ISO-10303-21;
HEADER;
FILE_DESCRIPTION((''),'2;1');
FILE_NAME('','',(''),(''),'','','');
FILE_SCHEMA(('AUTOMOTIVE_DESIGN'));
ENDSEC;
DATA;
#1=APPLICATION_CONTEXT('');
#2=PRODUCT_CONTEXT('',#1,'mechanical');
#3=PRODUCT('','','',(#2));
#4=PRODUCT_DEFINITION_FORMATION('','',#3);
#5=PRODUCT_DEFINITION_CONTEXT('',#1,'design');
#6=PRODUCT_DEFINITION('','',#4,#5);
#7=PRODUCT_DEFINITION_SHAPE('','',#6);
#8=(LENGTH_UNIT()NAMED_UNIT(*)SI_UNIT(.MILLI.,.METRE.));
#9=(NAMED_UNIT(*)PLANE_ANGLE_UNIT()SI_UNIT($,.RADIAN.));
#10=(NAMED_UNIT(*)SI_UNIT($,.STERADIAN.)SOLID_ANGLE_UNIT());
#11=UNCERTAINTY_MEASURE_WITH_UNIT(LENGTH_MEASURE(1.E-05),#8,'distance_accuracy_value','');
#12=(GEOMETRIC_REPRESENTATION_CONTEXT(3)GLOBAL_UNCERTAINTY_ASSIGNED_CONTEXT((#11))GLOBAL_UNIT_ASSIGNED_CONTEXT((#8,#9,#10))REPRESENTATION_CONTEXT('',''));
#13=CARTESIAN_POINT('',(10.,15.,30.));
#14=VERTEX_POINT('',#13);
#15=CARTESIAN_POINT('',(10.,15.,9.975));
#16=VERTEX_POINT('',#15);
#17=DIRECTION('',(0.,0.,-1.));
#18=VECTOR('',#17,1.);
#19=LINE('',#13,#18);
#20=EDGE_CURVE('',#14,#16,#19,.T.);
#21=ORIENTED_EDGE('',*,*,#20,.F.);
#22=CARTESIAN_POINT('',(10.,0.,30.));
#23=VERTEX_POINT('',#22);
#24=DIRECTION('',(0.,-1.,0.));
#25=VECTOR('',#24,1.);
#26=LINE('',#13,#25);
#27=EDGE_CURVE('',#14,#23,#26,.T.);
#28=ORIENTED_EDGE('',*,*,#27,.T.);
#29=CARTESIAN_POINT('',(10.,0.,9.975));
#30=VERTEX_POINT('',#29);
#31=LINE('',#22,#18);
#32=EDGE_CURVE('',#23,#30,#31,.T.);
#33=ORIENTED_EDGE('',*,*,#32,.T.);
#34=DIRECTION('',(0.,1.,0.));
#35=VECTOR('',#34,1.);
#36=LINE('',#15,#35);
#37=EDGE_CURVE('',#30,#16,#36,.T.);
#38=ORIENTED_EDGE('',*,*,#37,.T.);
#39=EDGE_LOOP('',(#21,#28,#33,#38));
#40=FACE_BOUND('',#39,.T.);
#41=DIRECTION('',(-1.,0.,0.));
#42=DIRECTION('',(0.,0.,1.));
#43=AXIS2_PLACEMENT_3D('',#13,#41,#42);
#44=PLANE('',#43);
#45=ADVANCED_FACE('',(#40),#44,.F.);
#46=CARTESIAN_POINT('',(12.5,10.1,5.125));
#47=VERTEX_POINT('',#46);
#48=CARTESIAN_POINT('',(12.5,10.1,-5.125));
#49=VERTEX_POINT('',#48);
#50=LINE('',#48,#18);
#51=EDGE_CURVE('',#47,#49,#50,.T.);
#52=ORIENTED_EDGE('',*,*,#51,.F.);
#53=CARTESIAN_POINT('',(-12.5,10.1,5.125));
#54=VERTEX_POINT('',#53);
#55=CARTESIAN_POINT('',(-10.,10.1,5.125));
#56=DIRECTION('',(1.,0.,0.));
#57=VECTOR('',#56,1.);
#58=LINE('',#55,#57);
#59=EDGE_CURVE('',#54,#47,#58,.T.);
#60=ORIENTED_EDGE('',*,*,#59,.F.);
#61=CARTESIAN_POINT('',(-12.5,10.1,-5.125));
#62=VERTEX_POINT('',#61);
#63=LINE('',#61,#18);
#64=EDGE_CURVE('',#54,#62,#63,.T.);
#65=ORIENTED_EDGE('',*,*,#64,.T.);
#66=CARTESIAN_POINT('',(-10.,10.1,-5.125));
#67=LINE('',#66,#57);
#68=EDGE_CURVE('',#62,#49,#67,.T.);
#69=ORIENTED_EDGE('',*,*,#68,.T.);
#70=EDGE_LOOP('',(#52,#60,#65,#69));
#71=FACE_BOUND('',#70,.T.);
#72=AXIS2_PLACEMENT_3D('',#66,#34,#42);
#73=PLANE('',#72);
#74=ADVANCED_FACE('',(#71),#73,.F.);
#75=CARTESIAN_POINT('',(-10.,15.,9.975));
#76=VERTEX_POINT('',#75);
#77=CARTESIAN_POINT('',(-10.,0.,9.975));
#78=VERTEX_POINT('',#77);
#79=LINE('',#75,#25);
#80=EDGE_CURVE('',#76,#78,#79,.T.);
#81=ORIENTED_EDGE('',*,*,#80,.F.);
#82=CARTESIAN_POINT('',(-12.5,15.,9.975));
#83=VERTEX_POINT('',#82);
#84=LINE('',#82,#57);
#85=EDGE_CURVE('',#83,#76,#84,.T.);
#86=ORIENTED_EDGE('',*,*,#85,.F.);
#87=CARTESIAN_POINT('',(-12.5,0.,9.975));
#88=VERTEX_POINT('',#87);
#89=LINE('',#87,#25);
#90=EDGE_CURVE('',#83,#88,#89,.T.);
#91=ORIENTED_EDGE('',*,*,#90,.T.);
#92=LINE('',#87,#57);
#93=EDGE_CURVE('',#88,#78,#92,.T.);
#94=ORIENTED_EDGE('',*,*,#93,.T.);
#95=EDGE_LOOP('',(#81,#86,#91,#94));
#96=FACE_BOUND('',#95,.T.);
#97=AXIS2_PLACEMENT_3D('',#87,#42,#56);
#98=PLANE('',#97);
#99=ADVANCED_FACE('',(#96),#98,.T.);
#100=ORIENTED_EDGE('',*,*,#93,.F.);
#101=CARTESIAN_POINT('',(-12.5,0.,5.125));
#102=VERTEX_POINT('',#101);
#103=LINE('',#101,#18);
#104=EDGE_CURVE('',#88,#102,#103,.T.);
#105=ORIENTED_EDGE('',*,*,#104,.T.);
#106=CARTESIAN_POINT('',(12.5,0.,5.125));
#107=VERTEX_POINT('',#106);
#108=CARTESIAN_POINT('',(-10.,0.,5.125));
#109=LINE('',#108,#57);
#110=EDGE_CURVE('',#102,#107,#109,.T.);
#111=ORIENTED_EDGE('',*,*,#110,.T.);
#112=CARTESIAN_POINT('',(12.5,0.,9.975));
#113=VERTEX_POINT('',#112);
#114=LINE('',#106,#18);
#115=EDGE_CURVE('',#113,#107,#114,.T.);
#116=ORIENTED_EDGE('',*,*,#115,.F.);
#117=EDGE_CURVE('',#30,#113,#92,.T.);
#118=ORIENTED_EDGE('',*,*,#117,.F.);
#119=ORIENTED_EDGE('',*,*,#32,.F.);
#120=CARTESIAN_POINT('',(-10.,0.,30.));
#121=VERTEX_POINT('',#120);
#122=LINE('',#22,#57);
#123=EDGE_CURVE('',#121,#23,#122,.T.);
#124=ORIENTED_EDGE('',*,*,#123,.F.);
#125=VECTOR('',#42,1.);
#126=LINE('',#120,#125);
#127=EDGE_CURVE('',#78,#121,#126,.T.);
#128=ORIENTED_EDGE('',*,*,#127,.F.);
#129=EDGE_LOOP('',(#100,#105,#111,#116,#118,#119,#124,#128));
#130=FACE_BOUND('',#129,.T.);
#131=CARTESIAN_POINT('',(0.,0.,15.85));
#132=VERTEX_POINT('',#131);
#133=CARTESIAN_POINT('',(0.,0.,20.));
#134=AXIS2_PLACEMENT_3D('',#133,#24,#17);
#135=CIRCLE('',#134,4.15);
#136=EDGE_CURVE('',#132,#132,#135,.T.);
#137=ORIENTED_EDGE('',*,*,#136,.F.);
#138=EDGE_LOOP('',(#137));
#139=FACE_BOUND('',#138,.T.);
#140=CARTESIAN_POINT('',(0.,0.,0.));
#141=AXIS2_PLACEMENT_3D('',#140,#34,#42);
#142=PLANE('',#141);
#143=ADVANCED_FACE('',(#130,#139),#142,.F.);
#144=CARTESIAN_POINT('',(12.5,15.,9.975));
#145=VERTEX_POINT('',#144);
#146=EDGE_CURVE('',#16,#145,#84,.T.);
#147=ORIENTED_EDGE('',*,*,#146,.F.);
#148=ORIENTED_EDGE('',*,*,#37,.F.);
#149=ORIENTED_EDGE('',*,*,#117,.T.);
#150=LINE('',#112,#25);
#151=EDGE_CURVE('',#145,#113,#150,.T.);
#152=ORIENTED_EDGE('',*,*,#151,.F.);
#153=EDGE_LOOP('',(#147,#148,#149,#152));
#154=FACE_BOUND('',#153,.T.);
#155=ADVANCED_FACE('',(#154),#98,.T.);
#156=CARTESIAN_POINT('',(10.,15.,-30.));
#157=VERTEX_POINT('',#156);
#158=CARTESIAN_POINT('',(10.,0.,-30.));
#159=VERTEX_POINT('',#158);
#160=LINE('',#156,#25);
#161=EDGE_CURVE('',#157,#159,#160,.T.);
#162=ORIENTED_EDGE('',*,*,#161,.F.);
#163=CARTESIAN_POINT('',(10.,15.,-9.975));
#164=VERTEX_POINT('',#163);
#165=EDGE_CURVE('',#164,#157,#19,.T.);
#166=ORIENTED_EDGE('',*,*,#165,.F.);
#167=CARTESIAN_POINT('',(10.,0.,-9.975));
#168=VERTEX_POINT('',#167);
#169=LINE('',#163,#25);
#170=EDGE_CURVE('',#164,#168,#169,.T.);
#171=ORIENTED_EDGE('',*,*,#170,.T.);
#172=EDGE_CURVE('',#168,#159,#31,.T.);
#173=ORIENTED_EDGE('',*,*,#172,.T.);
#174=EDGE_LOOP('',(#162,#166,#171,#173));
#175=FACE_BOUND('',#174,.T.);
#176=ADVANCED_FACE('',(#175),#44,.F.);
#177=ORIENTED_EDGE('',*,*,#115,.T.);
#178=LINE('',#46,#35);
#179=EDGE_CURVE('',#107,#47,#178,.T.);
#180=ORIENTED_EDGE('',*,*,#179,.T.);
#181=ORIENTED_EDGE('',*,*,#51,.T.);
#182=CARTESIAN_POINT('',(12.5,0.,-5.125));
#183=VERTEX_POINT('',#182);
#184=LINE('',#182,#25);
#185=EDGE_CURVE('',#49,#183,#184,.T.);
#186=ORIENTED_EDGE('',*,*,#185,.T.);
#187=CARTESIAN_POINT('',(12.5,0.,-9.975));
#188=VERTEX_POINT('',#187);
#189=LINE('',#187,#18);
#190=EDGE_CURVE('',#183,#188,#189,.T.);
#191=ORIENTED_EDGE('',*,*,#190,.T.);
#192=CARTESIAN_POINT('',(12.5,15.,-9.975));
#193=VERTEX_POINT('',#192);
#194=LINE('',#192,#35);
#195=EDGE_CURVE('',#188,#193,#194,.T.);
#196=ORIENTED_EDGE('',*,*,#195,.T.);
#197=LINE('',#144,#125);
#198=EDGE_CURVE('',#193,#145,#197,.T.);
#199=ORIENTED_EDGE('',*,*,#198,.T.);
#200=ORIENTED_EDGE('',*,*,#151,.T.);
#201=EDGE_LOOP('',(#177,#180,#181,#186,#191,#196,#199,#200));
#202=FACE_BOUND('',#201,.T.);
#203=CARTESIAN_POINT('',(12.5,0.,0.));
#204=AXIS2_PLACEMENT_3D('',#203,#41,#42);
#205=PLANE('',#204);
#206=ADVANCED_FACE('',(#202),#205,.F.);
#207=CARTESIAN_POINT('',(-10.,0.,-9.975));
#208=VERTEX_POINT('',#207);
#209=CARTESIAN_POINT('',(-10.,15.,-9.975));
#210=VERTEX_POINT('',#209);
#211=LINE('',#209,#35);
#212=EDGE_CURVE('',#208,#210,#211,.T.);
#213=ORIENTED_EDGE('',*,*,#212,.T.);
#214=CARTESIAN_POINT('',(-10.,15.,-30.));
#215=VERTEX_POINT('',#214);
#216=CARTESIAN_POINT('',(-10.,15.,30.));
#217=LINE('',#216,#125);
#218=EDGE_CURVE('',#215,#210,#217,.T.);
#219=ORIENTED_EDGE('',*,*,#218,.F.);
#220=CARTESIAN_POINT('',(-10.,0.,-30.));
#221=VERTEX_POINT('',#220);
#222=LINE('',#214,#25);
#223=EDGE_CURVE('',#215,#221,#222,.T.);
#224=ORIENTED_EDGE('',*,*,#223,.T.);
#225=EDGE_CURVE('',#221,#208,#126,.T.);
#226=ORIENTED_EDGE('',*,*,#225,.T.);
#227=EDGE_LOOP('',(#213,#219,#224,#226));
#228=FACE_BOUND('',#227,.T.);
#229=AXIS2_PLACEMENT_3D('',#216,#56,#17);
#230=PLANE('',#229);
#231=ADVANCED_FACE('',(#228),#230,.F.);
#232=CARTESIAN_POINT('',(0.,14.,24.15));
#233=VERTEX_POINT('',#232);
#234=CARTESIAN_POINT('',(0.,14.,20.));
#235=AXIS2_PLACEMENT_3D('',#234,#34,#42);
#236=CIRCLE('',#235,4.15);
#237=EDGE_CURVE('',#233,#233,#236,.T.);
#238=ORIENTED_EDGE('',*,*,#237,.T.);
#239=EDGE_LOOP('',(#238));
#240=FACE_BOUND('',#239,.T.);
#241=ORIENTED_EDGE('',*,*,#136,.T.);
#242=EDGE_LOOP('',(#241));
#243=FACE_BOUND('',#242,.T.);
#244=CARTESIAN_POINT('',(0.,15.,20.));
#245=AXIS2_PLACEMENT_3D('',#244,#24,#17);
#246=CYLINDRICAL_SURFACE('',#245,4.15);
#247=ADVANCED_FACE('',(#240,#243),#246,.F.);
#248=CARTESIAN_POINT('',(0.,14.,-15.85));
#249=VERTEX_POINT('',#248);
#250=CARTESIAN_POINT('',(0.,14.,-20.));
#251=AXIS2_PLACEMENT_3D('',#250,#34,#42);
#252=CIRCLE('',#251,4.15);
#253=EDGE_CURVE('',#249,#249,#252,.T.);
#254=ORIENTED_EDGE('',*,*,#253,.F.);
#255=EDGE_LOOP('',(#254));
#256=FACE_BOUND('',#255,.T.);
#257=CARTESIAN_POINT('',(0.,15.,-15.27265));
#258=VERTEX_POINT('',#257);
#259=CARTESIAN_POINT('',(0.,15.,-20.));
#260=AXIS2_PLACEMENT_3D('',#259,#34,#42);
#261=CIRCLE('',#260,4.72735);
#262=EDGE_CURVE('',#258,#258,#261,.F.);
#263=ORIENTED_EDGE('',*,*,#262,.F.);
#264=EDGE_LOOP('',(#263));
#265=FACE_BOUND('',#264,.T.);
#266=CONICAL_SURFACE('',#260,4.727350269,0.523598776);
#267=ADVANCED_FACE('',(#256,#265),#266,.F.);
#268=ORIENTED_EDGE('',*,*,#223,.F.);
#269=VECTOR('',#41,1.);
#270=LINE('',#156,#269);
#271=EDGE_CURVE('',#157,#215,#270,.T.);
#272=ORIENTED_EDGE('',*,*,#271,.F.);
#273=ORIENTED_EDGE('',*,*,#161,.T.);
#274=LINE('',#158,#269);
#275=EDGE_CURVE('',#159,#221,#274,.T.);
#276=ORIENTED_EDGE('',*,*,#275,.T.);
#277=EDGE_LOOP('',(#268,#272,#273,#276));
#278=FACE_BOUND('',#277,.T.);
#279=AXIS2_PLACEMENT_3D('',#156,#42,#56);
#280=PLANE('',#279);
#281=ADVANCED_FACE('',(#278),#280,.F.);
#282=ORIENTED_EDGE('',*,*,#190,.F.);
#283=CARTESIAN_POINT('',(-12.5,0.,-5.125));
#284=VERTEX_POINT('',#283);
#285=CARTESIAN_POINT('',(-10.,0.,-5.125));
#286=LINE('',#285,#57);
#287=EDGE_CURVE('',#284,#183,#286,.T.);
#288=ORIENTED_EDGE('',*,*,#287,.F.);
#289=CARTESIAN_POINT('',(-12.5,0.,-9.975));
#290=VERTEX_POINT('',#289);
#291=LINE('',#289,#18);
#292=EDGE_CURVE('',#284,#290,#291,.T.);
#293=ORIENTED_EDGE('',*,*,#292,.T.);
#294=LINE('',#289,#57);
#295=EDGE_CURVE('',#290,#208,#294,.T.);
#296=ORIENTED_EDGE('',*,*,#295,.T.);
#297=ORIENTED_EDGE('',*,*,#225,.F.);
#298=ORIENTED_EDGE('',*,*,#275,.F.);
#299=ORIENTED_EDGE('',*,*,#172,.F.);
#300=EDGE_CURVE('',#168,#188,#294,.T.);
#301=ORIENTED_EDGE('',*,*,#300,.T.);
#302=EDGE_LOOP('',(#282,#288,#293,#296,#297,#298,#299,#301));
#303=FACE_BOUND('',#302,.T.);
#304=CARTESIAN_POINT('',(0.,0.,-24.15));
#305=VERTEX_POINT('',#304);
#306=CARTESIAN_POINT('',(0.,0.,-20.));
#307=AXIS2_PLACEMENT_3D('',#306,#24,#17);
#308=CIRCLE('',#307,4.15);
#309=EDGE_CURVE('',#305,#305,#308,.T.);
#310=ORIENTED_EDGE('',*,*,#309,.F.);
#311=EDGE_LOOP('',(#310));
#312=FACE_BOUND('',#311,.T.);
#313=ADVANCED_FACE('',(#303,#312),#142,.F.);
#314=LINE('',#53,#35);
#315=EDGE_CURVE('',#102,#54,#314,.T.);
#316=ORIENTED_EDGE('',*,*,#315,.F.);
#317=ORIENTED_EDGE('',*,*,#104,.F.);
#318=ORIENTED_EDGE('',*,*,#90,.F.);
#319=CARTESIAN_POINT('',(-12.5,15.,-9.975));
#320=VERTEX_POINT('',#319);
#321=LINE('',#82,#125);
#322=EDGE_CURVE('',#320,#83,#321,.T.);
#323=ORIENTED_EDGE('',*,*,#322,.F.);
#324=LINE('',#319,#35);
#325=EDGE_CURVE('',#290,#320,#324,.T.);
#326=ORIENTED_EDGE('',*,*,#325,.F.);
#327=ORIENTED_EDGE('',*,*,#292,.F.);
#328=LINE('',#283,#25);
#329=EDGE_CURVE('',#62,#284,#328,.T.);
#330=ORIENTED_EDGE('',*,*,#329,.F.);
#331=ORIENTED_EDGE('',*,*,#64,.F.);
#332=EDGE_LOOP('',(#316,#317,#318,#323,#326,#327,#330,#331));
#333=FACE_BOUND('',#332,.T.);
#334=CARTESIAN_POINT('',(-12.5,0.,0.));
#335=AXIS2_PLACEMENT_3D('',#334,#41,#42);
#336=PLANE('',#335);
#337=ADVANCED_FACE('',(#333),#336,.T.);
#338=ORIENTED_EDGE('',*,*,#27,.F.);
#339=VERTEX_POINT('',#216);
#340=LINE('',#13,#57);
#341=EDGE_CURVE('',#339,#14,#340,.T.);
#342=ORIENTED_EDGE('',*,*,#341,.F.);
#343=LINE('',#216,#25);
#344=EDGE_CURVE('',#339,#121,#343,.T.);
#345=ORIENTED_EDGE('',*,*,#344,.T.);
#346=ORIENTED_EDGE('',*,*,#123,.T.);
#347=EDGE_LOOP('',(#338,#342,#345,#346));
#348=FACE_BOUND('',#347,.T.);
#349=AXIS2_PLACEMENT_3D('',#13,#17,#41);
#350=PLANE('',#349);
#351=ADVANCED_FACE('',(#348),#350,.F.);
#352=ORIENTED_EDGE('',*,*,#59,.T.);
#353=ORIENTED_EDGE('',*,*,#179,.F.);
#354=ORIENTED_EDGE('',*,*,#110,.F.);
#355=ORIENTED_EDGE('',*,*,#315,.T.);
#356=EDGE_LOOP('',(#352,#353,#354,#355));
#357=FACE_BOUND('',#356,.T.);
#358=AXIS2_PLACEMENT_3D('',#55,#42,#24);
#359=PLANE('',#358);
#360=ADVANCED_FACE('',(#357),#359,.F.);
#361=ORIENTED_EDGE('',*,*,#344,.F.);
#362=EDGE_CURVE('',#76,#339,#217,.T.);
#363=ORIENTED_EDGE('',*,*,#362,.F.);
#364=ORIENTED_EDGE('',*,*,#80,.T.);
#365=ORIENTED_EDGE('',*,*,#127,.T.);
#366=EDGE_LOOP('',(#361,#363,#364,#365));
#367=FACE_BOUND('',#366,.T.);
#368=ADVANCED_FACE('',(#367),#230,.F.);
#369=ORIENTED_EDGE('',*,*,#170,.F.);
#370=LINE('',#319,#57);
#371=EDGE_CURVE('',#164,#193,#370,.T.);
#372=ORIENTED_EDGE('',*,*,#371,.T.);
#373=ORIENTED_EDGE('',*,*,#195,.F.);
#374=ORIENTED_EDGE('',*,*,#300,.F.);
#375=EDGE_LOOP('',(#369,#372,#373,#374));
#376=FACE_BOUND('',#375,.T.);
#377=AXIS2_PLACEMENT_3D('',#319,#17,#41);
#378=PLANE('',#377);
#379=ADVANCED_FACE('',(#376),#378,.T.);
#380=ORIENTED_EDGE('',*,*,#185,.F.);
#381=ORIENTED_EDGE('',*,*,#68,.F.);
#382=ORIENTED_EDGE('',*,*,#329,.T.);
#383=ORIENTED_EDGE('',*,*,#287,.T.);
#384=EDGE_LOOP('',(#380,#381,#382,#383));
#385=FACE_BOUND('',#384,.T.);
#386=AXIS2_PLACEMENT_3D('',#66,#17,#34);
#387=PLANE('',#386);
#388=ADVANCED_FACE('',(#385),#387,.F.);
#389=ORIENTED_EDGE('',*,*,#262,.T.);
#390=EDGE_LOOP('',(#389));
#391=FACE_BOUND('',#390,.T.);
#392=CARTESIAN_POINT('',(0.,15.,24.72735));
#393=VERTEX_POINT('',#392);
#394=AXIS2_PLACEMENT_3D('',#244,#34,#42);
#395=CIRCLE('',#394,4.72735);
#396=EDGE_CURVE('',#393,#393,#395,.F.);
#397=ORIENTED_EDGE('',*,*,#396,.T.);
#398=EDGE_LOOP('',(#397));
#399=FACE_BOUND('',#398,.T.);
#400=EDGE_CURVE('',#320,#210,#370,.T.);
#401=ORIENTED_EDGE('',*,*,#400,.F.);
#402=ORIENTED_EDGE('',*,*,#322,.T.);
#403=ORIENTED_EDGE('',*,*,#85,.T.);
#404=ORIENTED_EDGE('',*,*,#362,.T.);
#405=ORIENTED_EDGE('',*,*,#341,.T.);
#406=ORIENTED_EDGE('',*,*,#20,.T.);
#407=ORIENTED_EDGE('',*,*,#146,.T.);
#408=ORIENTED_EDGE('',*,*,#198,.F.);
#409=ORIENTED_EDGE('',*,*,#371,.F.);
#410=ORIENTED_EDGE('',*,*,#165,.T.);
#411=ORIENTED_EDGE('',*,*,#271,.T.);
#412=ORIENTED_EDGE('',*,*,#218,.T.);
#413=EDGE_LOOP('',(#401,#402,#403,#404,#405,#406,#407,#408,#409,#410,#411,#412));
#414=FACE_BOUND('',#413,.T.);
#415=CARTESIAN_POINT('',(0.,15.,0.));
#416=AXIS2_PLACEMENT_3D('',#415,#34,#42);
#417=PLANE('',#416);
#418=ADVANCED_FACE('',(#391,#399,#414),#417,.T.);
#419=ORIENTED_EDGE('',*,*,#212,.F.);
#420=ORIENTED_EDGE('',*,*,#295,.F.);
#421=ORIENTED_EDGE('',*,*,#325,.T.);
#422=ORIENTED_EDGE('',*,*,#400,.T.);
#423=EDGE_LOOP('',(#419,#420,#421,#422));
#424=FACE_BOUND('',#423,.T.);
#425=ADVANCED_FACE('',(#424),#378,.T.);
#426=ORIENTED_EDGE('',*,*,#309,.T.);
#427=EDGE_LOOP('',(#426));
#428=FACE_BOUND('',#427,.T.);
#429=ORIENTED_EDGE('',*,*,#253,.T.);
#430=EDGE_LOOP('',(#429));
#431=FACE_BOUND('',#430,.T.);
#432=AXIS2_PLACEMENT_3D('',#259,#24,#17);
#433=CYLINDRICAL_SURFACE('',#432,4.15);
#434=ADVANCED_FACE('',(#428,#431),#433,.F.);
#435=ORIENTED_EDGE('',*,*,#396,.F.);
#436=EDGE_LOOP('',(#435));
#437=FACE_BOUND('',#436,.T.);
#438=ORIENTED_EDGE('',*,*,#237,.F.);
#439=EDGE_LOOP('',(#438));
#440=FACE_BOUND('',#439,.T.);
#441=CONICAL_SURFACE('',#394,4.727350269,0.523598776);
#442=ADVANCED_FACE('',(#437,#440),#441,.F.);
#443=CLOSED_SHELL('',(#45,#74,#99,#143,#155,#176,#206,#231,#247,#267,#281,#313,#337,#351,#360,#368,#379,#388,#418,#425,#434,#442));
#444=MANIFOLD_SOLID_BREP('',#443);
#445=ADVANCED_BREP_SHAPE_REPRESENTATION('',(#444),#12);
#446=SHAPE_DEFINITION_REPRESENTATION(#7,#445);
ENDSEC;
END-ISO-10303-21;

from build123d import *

# Parameters (mm, degrees)
SKETCH1_W                = 20
SKETCH1_H                = 60
BOSS_EXTRUDE1_DEPTH      = 15
SKETCH2_W                = 10.25
SKETCH2_H                = 10.1
CUT_EXTRUDE1_DEPTH       = 1
CUT_EXTRUDE1_DEPTH_BACK  = 21
SKETCH3_R                = 4.15
CUT_EXTRUDE2_DEPTH       = 16
BOSS_EXTRUDE2_DEPTH      = 2.5
BOSS_EXTRUDE2_DEPTH_BACK = 22.5
CHAMFER1_SIZE            = 1
CHAMFER1_SIZE2           = 0.577350269
CHAMFER1_PART_2_SIZE     = 1
CHAMFER1_PART_2_SIZE2    = 0.577350269


with BuildPart() as part:
    # Sketch1 → Boss-Extrude1 (new body)
    with BuildSketch(Plane(origin=(0, 0, 0), x_dir=(1, 0, 0), z_dir=(0, 1, 0))):
        Rectangle(SKETCH1_W, SKETCH1_H)
    extrude(amount=BOSS_EXTRUDE1_DEPTH)

    # Sketch2 → Cut-Extrude1 (cut, two sides)
    with BuildSketch(Plane(origin=(10, 0, 0), x_dir=(0, 0, -1), z_dir=(1, 0, 0))) as cut_extrude1_sk:
        with Locations((0, 5.05)):
            Rectangle(SKETCH2_W, SKETCH2_H)
    extrude(amount=CUT_EXTRUDE1_DEPTH, mode=Mode.SUBTRACT)
    extrude(cut_extrude1_sk.sketch, amount=-CUT_EXTRUDE1_DEPTH_BACK, mode=Mode.SUBTRACT)

    # Sketch3 → Cut-Extrude2 (cut, through all)
    with BuildSketch(Plane.XZ):
        with Locations(Location((0, 20, 0), (0, 0, 270))):  # turned: the seam where the file's is
            Circle(SKETCH3_R)
        with Locations(Location((0, -20, 0), (0, 0, 270))):  # turned: the seam where the file's is
            Circle(SKETCH3_R)
    extrude(amount=-CUT_EXTRUDE2_DEPTH, mode=Mode.SUBTRACT)

    # Sketch4 → Boss-Extrude2 (add, two sides)
    with BuildSketch(Plane(origin=(10, 0, 0), x_dir=(0, 0, -1), z_dir=(1, 0, 0))) as boss_extrude2_sk:
        Polygon((-5.125, 0), (-9.975, 0), (-9.975, 15), (9.975, 15), (9.975, 0), (5.125, 0), (5.125, 10.1), (-5.125, 10.1), align=None)
    extrude(amount=BOSS_EXTRUDE2_DEPTH)
    extrude(boss_extrude2_sk.sketch, amount=-BOSS_EXTRUDE2_DEPTH_BACK)

    # Chamfer1
    chamfer1_edges = [part.edges().sort_by_distance(p)[0] for p in [
        (0, 15, 24.15),
    ]]
    chamfer1_side = [part.faces().sort_by_distance(p)[0] for p in [
        (0, 7.5, 24.15),
    ]]
    chamfer(chamfer1_edges, length=CHAMFER1_SIZE, length2=CHAMFER1_SIZE2, reference=chamfer1_side[0])

    # Chamfer1 part 2
    chamfer1_part_2_edges = [part.edges().sort_by_distance(p)[0] for p in [
        (0, 15, -15.85),
    ]]
    chamfer1_part_2_side = [part.faces().sort_by_distance(p)[0] for p in [
        (0, 7.5, -15.85),
    ]]
    chamfer(chamfer1_part_2_edges, length=CHAMFER1_PART_2_SIZE, length2=CHAMFER1_PART_2_SIZE2, reference=chamfer1_part_2_side[0])


solid = part.part
